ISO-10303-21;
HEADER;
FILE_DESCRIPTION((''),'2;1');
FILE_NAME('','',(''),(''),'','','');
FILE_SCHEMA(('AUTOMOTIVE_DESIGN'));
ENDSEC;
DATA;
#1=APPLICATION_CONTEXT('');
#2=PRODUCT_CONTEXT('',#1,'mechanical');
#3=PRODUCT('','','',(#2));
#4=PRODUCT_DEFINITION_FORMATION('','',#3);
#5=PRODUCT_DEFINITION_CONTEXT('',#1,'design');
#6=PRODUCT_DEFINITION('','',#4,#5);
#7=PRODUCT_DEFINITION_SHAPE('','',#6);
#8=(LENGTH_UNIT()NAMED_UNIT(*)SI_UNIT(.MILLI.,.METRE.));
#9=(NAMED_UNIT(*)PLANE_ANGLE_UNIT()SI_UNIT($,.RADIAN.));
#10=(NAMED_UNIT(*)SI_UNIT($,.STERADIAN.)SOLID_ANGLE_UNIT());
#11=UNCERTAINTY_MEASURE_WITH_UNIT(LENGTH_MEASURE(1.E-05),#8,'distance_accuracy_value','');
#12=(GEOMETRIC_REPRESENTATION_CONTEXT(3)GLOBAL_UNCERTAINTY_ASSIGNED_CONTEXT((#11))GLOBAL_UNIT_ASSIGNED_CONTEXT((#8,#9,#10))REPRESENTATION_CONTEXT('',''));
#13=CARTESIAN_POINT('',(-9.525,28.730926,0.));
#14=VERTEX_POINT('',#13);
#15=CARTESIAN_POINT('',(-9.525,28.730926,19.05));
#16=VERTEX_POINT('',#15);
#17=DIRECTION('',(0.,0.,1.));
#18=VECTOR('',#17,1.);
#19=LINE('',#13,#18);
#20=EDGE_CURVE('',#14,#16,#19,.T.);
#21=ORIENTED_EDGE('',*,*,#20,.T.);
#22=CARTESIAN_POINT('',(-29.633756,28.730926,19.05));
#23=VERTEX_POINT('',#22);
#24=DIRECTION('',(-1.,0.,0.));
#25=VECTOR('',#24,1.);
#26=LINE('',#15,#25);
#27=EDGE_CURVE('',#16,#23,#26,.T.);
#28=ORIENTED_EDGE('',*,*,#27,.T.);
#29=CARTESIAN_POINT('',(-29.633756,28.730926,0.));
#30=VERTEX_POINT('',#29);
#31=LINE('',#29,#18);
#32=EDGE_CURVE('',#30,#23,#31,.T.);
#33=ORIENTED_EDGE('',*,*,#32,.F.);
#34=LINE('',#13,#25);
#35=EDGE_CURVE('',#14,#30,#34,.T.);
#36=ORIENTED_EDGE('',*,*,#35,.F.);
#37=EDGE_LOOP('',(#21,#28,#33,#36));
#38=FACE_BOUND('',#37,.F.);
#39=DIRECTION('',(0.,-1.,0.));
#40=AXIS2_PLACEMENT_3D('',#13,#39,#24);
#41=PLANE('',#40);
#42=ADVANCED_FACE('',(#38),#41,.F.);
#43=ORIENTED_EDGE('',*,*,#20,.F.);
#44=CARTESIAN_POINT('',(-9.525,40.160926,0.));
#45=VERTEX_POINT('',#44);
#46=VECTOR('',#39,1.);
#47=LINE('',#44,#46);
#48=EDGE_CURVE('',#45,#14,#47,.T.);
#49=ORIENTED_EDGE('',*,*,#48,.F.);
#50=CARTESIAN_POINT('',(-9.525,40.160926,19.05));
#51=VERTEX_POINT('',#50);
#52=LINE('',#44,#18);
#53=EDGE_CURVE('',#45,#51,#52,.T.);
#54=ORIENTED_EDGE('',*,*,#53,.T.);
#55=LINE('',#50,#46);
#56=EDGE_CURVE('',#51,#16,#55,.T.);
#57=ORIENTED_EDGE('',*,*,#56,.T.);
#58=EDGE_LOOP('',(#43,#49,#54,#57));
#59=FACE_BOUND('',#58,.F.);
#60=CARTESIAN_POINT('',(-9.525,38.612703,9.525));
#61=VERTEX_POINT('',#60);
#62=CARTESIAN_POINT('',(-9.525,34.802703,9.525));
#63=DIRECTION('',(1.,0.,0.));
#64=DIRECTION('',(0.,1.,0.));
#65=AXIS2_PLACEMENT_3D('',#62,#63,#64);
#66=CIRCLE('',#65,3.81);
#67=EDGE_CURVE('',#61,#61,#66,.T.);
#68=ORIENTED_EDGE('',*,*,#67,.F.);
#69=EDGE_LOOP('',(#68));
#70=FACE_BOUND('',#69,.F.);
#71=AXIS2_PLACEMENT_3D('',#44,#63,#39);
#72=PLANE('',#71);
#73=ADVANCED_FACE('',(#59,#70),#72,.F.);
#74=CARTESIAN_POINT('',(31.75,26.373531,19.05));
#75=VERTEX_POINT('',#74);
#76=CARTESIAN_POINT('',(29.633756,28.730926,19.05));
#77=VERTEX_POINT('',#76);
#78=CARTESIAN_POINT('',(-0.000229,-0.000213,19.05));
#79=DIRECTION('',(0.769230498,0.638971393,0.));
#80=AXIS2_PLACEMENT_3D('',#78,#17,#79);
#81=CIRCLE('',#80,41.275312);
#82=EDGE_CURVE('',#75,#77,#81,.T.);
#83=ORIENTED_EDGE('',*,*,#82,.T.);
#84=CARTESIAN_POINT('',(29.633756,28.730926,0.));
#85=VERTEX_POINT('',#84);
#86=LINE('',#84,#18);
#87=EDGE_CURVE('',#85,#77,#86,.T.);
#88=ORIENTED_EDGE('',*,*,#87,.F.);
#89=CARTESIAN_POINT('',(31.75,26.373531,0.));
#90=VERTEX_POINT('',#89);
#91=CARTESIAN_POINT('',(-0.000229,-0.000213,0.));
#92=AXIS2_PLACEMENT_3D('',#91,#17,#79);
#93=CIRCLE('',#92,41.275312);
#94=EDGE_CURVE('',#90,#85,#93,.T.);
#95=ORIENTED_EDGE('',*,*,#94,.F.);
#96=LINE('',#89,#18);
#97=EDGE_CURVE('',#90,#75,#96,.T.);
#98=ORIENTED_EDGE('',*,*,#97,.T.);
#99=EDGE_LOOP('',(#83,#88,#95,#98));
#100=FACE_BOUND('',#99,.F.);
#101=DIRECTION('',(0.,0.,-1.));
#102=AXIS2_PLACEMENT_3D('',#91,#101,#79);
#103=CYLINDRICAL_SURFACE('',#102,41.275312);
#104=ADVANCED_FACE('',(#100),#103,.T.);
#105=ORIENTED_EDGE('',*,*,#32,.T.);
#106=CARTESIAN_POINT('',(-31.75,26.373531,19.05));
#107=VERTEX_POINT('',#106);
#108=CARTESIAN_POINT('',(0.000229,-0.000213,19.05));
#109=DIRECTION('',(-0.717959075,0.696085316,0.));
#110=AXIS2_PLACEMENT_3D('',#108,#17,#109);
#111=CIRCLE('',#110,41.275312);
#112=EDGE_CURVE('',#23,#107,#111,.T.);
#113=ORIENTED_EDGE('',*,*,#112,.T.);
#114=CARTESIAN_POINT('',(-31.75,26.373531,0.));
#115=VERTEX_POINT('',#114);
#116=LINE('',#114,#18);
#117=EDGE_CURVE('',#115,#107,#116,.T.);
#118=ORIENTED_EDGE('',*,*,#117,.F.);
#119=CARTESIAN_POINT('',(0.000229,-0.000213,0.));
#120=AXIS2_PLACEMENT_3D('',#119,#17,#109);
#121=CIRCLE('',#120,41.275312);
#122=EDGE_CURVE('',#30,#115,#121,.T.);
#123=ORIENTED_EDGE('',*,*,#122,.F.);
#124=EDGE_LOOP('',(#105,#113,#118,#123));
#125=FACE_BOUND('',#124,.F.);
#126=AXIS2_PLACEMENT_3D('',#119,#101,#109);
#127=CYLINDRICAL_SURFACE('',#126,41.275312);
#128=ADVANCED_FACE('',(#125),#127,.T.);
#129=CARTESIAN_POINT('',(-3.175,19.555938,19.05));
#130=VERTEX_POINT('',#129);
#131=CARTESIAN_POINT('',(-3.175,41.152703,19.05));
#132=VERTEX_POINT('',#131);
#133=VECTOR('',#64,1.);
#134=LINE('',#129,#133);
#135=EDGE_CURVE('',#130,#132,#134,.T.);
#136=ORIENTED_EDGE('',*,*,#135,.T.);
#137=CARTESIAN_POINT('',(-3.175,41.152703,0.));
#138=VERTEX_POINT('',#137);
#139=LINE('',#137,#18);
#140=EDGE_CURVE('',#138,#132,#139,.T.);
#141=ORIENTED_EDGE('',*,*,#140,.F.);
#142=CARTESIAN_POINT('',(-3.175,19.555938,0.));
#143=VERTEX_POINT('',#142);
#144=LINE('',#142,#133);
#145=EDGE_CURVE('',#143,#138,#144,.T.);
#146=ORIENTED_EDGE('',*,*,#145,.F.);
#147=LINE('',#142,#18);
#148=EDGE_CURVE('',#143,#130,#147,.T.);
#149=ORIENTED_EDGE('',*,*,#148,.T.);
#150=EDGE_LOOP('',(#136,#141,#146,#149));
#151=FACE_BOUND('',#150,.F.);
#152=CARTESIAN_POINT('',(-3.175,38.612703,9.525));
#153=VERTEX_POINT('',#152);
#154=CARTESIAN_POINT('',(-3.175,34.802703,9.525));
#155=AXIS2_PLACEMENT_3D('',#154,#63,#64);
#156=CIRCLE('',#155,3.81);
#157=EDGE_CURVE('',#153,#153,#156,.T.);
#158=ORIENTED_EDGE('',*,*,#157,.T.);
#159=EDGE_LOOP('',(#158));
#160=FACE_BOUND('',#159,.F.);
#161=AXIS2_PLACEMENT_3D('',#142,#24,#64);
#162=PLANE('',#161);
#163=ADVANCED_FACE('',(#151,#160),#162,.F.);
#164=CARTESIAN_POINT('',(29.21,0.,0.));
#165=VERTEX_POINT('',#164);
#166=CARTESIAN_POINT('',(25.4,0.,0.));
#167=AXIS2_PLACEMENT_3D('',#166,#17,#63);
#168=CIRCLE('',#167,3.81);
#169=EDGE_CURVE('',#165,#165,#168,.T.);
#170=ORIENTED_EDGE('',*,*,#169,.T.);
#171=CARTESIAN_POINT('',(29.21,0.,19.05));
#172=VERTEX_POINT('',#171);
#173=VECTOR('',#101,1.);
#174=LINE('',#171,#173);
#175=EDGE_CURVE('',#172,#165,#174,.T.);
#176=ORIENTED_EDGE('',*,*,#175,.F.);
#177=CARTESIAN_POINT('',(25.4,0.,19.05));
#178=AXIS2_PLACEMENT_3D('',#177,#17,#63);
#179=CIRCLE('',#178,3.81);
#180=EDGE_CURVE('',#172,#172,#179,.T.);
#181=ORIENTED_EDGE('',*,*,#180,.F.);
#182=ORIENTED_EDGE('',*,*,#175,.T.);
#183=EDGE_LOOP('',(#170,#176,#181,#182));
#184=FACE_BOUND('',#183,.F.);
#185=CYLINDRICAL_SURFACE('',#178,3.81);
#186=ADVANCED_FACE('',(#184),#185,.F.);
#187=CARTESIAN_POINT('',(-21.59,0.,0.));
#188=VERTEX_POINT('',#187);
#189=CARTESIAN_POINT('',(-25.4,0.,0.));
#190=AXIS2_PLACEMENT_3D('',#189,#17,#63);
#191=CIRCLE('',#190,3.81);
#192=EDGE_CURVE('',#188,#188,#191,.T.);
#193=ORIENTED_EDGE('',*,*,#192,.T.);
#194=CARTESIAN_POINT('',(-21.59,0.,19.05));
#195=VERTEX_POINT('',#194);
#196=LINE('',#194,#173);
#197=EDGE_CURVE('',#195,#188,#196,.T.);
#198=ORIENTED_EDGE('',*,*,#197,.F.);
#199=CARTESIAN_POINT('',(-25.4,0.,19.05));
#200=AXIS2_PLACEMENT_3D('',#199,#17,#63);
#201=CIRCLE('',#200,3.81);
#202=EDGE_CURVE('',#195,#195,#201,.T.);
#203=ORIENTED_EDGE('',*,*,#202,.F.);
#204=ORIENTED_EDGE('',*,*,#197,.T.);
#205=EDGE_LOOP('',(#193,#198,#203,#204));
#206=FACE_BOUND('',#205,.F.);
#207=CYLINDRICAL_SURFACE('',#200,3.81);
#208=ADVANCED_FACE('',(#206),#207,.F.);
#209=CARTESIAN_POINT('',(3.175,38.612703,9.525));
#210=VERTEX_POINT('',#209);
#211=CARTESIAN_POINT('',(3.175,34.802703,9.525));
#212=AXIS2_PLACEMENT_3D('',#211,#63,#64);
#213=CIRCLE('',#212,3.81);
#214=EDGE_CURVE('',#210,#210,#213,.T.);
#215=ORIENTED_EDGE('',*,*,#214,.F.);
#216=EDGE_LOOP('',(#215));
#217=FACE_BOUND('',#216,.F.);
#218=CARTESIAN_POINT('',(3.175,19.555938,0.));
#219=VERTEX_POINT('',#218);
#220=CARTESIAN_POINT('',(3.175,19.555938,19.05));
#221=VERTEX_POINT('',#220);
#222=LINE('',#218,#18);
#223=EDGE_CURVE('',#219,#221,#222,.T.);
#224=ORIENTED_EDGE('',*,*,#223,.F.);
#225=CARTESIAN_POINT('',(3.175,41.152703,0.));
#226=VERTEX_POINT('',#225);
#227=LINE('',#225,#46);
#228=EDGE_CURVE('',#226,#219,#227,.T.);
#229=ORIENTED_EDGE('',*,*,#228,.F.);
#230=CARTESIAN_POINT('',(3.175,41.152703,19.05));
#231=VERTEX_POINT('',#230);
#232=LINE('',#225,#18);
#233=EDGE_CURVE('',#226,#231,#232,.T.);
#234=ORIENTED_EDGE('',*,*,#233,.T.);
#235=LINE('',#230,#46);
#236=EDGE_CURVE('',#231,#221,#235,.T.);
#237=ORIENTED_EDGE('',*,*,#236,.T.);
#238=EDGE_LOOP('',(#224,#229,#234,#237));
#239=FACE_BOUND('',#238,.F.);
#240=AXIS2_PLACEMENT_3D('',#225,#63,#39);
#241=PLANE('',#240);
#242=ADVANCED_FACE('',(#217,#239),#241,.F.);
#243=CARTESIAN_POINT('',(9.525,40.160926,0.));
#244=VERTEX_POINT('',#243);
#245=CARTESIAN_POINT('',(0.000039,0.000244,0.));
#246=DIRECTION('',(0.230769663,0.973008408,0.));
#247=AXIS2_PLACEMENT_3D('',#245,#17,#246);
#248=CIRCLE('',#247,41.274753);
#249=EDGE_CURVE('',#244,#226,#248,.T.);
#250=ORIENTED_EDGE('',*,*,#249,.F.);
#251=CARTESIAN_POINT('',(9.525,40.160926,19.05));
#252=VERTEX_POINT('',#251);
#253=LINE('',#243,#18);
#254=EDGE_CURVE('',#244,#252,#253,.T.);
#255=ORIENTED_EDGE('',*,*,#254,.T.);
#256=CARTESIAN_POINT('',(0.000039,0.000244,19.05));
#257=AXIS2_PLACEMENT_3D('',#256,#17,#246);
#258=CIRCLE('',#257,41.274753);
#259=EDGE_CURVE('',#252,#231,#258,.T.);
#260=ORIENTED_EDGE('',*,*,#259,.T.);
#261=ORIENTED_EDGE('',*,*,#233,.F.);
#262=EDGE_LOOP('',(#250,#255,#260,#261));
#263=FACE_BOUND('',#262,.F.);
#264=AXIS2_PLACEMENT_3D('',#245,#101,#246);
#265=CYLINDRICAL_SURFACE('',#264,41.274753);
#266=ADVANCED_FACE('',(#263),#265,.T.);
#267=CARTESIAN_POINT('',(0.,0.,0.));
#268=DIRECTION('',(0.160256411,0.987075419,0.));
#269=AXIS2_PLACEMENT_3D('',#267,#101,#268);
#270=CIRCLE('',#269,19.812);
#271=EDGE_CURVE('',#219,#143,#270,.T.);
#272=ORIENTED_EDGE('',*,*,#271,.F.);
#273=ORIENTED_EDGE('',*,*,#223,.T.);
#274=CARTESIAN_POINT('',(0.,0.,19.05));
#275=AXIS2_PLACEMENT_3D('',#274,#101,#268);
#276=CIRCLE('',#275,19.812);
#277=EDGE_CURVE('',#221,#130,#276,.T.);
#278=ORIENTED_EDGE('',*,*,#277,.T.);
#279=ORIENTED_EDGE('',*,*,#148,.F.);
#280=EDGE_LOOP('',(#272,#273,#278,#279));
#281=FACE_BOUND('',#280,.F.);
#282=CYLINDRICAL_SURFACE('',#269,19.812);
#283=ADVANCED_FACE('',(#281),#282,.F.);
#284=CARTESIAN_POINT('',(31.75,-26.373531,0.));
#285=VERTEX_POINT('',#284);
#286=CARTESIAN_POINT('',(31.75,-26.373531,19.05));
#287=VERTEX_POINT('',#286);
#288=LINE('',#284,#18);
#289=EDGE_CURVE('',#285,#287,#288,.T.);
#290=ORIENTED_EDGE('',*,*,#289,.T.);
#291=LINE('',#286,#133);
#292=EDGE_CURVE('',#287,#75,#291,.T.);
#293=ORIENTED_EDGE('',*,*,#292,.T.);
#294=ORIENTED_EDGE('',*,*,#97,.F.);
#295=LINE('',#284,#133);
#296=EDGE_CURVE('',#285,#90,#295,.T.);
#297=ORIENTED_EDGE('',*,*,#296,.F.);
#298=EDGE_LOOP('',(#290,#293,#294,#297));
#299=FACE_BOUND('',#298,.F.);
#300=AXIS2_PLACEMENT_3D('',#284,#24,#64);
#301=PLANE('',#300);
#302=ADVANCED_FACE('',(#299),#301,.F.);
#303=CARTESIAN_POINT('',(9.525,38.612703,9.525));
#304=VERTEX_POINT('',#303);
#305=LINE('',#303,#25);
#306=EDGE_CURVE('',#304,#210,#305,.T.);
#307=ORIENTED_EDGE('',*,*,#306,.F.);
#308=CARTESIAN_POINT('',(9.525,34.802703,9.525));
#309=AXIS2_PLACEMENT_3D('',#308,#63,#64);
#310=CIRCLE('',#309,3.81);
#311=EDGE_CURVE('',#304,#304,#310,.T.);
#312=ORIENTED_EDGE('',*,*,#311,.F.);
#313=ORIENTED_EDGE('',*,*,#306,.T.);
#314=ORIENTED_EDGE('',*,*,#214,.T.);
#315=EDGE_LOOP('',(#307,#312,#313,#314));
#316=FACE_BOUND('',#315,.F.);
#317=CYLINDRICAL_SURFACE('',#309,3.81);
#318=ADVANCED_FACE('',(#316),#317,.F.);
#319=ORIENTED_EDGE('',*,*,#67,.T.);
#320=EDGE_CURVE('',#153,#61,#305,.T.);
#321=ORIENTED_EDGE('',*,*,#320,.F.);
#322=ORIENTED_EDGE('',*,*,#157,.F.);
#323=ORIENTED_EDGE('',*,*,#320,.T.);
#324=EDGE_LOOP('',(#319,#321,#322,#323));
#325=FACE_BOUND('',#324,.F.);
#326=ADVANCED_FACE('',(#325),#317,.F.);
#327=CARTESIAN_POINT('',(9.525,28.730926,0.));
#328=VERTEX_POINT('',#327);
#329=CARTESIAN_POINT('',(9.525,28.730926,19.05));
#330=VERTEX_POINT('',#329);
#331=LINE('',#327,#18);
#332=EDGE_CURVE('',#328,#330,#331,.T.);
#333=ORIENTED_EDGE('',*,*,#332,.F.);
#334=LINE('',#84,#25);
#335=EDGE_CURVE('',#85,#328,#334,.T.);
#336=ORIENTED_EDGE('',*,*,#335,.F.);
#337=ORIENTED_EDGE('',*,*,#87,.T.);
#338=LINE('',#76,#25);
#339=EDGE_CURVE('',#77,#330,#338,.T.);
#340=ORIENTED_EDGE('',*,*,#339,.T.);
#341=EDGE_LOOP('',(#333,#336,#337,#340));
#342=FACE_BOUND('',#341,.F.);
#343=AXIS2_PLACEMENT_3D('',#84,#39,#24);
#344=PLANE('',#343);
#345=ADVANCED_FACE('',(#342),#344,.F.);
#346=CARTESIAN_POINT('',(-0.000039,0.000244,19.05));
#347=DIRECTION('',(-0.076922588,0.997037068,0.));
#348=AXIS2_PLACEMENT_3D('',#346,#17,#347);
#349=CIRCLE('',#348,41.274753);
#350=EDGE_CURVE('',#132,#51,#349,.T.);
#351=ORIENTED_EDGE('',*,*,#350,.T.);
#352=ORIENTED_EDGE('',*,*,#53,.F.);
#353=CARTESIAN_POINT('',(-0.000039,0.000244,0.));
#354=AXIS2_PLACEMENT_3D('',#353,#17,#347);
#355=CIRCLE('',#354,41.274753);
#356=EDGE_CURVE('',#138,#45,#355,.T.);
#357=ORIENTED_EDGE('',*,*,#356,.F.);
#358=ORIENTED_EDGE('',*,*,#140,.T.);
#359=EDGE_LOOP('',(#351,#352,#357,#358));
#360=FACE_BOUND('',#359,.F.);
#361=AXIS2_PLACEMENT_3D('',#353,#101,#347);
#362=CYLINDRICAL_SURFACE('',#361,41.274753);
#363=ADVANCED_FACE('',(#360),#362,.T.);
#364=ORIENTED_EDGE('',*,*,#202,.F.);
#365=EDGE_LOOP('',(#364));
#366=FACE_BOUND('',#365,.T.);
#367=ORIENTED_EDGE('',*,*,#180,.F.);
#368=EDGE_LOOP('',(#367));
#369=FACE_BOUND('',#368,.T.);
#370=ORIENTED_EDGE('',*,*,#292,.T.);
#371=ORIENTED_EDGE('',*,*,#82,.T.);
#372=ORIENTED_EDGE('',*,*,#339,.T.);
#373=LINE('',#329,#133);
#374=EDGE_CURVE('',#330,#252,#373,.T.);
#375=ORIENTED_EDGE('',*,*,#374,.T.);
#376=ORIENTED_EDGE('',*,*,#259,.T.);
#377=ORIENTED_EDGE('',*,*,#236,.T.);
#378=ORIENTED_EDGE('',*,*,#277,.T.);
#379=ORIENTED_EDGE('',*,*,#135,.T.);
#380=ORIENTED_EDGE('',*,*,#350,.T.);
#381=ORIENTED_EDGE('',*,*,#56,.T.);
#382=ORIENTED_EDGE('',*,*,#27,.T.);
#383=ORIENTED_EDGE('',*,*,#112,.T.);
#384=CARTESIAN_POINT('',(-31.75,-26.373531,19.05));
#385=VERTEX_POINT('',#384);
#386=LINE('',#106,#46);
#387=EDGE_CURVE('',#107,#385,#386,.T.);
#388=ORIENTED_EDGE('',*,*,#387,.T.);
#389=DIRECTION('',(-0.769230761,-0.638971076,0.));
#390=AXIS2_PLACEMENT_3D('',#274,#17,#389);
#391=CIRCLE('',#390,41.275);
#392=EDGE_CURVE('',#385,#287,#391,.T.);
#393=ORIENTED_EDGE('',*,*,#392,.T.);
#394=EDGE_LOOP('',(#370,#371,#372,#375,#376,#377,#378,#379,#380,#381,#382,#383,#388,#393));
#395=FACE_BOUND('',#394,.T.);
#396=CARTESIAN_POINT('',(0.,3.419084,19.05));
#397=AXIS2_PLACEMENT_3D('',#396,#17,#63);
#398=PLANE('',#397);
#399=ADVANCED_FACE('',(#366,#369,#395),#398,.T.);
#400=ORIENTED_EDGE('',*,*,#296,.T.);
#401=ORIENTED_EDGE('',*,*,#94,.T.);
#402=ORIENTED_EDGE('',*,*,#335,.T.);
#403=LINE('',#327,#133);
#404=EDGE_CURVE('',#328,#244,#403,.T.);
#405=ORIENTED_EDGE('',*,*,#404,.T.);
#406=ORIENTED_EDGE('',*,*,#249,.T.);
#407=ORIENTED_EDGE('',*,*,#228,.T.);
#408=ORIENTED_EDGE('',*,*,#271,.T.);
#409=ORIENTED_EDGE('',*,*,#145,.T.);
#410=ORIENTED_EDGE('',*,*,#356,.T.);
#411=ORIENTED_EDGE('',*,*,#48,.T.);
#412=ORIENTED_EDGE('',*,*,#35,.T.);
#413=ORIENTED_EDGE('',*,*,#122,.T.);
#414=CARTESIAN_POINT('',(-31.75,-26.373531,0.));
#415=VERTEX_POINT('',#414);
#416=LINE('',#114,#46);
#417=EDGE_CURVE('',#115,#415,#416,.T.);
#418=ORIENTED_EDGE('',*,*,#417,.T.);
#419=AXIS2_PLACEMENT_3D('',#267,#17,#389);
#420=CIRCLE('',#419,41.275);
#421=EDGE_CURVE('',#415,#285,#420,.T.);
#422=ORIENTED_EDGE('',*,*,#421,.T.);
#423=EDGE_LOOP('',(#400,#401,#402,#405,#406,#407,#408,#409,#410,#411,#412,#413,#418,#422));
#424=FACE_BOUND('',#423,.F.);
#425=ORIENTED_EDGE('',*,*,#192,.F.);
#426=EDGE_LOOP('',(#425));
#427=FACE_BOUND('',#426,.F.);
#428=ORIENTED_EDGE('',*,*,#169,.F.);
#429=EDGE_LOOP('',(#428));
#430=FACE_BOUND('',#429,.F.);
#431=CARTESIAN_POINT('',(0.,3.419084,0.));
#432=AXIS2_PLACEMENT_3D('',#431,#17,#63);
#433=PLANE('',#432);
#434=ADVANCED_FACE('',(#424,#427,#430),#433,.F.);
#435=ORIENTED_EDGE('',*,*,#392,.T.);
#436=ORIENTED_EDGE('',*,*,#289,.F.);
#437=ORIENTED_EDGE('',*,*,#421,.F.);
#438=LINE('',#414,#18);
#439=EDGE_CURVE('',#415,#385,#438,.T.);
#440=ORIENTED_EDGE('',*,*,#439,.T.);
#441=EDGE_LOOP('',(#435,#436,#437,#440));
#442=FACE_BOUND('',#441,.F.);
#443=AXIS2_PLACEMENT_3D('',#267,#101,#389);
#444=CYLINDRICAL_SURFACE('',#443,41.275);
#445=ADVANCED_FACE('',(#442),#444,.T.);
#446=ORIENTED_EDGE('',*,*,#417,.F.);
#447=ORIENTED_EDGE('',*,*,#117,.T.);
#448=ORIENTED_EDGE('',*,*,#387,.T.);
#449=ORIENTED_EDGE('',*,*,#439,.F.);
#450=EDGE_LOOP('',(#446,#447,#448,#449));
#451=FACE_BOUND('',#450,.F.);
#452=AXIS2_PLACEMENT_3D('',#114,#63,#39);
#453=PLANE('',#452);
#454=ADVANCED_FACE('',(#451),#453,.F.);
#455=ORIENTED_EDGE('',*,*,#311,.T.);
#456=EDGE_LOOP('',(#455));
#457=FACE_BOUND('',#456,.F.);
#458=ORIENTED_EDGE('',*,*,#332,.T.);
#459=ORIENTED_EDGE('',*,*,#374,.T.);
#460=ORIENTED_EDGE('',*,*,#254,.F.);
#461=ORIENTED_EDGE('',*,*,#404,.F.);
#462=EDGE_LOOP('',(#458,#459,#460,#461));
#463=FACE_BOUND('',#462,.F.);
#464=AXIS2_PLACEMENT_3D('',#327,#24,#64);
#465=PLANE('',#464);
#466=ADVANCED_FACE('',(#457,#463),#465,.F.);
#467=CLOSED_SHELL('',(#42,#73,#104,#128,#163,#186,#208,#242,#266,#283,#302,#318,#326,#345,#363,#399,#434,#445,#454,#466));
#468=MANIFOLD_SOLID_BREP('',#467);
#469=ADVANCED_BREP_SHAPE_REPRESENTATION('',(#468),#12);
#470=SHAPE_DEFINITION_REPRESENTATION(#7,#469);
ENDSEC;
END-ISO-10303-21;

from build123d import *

# Parameters (mm, degrees)
F1_DEPTH = 19.05
F2_R     = 3.81
F3_DEPTH = 25.4
F4_R     = 3.81
F5_DEPTH = 25.4


with BuildPart() as f1:
    # F0 (on Top) → F1 (new body)
    with BuildSketch(Plane.XY):
        with BuildLine():
            Line((-3.175, 19.555938), (-3.175, 41.152703))
            ThreePointArc((-3.175, 41.152703), (-6.369333, 40.780599), (-9.525, 40.160926))
            Line((-9.525, 40.160926), (-9.525, 28.730926))
            Line((-9.525, 28.730926), (-29.633756, 28.730926))
            ThreePointArc((-29.633756, 28.730926), (-30.714503, 27.572539), (-31.75, 26.373531))
            Line((-31.75, 26.373531), (-31.75, -26.373531))
            ThreePointArc((-31.75, -26.373531), (0, -41.275), (31.75, -26.373531))
            Line((31.75, -26.373531), (31.75, 26.373531))
            ThreePointArc((31.75, 26.373531), (30.714503, 27.572539), (29.633756, 28.730926))
            Line((29.633756, 28.730926), (9.525, 28.730926))
            Line((9.525, 28.730926), (9.525, 40.160926))
            ThreePointArc((9.525, 40.160926), (6.369333, 40.780599), (3.175, 41.152703))
            Line((3.175, 41.152703), (3.175, 19.555938))
            ThreePointArc((3.175, 19.555938), (0, -19.812), (-3.175, 19.555938))
        make_face()
    extrude(amount=F1_DEPTH)

    # F2 (on face) → F3 (cut)
    with BuildSketch(Plane.XY.offset(19.05)):
        with Locations((25.4, 0)):
            Circle(F2_R)
        with Locations((-25.4, 0)):
            Circle(F2_R)
    extrude(amount=-F3_DEPTH, mode=Mode.SUBTRACT)

    # F4 (on face) → F5 (cut)
    with BuildSketch(Plane.YZ.offset(9.525)):
        with Locations((34.802703, 9.525)):
            Circle(F4_R)
    extrude(amount=-F5_DEPTH, mode=Mode.SUBTRACT)


solid = f1.part
